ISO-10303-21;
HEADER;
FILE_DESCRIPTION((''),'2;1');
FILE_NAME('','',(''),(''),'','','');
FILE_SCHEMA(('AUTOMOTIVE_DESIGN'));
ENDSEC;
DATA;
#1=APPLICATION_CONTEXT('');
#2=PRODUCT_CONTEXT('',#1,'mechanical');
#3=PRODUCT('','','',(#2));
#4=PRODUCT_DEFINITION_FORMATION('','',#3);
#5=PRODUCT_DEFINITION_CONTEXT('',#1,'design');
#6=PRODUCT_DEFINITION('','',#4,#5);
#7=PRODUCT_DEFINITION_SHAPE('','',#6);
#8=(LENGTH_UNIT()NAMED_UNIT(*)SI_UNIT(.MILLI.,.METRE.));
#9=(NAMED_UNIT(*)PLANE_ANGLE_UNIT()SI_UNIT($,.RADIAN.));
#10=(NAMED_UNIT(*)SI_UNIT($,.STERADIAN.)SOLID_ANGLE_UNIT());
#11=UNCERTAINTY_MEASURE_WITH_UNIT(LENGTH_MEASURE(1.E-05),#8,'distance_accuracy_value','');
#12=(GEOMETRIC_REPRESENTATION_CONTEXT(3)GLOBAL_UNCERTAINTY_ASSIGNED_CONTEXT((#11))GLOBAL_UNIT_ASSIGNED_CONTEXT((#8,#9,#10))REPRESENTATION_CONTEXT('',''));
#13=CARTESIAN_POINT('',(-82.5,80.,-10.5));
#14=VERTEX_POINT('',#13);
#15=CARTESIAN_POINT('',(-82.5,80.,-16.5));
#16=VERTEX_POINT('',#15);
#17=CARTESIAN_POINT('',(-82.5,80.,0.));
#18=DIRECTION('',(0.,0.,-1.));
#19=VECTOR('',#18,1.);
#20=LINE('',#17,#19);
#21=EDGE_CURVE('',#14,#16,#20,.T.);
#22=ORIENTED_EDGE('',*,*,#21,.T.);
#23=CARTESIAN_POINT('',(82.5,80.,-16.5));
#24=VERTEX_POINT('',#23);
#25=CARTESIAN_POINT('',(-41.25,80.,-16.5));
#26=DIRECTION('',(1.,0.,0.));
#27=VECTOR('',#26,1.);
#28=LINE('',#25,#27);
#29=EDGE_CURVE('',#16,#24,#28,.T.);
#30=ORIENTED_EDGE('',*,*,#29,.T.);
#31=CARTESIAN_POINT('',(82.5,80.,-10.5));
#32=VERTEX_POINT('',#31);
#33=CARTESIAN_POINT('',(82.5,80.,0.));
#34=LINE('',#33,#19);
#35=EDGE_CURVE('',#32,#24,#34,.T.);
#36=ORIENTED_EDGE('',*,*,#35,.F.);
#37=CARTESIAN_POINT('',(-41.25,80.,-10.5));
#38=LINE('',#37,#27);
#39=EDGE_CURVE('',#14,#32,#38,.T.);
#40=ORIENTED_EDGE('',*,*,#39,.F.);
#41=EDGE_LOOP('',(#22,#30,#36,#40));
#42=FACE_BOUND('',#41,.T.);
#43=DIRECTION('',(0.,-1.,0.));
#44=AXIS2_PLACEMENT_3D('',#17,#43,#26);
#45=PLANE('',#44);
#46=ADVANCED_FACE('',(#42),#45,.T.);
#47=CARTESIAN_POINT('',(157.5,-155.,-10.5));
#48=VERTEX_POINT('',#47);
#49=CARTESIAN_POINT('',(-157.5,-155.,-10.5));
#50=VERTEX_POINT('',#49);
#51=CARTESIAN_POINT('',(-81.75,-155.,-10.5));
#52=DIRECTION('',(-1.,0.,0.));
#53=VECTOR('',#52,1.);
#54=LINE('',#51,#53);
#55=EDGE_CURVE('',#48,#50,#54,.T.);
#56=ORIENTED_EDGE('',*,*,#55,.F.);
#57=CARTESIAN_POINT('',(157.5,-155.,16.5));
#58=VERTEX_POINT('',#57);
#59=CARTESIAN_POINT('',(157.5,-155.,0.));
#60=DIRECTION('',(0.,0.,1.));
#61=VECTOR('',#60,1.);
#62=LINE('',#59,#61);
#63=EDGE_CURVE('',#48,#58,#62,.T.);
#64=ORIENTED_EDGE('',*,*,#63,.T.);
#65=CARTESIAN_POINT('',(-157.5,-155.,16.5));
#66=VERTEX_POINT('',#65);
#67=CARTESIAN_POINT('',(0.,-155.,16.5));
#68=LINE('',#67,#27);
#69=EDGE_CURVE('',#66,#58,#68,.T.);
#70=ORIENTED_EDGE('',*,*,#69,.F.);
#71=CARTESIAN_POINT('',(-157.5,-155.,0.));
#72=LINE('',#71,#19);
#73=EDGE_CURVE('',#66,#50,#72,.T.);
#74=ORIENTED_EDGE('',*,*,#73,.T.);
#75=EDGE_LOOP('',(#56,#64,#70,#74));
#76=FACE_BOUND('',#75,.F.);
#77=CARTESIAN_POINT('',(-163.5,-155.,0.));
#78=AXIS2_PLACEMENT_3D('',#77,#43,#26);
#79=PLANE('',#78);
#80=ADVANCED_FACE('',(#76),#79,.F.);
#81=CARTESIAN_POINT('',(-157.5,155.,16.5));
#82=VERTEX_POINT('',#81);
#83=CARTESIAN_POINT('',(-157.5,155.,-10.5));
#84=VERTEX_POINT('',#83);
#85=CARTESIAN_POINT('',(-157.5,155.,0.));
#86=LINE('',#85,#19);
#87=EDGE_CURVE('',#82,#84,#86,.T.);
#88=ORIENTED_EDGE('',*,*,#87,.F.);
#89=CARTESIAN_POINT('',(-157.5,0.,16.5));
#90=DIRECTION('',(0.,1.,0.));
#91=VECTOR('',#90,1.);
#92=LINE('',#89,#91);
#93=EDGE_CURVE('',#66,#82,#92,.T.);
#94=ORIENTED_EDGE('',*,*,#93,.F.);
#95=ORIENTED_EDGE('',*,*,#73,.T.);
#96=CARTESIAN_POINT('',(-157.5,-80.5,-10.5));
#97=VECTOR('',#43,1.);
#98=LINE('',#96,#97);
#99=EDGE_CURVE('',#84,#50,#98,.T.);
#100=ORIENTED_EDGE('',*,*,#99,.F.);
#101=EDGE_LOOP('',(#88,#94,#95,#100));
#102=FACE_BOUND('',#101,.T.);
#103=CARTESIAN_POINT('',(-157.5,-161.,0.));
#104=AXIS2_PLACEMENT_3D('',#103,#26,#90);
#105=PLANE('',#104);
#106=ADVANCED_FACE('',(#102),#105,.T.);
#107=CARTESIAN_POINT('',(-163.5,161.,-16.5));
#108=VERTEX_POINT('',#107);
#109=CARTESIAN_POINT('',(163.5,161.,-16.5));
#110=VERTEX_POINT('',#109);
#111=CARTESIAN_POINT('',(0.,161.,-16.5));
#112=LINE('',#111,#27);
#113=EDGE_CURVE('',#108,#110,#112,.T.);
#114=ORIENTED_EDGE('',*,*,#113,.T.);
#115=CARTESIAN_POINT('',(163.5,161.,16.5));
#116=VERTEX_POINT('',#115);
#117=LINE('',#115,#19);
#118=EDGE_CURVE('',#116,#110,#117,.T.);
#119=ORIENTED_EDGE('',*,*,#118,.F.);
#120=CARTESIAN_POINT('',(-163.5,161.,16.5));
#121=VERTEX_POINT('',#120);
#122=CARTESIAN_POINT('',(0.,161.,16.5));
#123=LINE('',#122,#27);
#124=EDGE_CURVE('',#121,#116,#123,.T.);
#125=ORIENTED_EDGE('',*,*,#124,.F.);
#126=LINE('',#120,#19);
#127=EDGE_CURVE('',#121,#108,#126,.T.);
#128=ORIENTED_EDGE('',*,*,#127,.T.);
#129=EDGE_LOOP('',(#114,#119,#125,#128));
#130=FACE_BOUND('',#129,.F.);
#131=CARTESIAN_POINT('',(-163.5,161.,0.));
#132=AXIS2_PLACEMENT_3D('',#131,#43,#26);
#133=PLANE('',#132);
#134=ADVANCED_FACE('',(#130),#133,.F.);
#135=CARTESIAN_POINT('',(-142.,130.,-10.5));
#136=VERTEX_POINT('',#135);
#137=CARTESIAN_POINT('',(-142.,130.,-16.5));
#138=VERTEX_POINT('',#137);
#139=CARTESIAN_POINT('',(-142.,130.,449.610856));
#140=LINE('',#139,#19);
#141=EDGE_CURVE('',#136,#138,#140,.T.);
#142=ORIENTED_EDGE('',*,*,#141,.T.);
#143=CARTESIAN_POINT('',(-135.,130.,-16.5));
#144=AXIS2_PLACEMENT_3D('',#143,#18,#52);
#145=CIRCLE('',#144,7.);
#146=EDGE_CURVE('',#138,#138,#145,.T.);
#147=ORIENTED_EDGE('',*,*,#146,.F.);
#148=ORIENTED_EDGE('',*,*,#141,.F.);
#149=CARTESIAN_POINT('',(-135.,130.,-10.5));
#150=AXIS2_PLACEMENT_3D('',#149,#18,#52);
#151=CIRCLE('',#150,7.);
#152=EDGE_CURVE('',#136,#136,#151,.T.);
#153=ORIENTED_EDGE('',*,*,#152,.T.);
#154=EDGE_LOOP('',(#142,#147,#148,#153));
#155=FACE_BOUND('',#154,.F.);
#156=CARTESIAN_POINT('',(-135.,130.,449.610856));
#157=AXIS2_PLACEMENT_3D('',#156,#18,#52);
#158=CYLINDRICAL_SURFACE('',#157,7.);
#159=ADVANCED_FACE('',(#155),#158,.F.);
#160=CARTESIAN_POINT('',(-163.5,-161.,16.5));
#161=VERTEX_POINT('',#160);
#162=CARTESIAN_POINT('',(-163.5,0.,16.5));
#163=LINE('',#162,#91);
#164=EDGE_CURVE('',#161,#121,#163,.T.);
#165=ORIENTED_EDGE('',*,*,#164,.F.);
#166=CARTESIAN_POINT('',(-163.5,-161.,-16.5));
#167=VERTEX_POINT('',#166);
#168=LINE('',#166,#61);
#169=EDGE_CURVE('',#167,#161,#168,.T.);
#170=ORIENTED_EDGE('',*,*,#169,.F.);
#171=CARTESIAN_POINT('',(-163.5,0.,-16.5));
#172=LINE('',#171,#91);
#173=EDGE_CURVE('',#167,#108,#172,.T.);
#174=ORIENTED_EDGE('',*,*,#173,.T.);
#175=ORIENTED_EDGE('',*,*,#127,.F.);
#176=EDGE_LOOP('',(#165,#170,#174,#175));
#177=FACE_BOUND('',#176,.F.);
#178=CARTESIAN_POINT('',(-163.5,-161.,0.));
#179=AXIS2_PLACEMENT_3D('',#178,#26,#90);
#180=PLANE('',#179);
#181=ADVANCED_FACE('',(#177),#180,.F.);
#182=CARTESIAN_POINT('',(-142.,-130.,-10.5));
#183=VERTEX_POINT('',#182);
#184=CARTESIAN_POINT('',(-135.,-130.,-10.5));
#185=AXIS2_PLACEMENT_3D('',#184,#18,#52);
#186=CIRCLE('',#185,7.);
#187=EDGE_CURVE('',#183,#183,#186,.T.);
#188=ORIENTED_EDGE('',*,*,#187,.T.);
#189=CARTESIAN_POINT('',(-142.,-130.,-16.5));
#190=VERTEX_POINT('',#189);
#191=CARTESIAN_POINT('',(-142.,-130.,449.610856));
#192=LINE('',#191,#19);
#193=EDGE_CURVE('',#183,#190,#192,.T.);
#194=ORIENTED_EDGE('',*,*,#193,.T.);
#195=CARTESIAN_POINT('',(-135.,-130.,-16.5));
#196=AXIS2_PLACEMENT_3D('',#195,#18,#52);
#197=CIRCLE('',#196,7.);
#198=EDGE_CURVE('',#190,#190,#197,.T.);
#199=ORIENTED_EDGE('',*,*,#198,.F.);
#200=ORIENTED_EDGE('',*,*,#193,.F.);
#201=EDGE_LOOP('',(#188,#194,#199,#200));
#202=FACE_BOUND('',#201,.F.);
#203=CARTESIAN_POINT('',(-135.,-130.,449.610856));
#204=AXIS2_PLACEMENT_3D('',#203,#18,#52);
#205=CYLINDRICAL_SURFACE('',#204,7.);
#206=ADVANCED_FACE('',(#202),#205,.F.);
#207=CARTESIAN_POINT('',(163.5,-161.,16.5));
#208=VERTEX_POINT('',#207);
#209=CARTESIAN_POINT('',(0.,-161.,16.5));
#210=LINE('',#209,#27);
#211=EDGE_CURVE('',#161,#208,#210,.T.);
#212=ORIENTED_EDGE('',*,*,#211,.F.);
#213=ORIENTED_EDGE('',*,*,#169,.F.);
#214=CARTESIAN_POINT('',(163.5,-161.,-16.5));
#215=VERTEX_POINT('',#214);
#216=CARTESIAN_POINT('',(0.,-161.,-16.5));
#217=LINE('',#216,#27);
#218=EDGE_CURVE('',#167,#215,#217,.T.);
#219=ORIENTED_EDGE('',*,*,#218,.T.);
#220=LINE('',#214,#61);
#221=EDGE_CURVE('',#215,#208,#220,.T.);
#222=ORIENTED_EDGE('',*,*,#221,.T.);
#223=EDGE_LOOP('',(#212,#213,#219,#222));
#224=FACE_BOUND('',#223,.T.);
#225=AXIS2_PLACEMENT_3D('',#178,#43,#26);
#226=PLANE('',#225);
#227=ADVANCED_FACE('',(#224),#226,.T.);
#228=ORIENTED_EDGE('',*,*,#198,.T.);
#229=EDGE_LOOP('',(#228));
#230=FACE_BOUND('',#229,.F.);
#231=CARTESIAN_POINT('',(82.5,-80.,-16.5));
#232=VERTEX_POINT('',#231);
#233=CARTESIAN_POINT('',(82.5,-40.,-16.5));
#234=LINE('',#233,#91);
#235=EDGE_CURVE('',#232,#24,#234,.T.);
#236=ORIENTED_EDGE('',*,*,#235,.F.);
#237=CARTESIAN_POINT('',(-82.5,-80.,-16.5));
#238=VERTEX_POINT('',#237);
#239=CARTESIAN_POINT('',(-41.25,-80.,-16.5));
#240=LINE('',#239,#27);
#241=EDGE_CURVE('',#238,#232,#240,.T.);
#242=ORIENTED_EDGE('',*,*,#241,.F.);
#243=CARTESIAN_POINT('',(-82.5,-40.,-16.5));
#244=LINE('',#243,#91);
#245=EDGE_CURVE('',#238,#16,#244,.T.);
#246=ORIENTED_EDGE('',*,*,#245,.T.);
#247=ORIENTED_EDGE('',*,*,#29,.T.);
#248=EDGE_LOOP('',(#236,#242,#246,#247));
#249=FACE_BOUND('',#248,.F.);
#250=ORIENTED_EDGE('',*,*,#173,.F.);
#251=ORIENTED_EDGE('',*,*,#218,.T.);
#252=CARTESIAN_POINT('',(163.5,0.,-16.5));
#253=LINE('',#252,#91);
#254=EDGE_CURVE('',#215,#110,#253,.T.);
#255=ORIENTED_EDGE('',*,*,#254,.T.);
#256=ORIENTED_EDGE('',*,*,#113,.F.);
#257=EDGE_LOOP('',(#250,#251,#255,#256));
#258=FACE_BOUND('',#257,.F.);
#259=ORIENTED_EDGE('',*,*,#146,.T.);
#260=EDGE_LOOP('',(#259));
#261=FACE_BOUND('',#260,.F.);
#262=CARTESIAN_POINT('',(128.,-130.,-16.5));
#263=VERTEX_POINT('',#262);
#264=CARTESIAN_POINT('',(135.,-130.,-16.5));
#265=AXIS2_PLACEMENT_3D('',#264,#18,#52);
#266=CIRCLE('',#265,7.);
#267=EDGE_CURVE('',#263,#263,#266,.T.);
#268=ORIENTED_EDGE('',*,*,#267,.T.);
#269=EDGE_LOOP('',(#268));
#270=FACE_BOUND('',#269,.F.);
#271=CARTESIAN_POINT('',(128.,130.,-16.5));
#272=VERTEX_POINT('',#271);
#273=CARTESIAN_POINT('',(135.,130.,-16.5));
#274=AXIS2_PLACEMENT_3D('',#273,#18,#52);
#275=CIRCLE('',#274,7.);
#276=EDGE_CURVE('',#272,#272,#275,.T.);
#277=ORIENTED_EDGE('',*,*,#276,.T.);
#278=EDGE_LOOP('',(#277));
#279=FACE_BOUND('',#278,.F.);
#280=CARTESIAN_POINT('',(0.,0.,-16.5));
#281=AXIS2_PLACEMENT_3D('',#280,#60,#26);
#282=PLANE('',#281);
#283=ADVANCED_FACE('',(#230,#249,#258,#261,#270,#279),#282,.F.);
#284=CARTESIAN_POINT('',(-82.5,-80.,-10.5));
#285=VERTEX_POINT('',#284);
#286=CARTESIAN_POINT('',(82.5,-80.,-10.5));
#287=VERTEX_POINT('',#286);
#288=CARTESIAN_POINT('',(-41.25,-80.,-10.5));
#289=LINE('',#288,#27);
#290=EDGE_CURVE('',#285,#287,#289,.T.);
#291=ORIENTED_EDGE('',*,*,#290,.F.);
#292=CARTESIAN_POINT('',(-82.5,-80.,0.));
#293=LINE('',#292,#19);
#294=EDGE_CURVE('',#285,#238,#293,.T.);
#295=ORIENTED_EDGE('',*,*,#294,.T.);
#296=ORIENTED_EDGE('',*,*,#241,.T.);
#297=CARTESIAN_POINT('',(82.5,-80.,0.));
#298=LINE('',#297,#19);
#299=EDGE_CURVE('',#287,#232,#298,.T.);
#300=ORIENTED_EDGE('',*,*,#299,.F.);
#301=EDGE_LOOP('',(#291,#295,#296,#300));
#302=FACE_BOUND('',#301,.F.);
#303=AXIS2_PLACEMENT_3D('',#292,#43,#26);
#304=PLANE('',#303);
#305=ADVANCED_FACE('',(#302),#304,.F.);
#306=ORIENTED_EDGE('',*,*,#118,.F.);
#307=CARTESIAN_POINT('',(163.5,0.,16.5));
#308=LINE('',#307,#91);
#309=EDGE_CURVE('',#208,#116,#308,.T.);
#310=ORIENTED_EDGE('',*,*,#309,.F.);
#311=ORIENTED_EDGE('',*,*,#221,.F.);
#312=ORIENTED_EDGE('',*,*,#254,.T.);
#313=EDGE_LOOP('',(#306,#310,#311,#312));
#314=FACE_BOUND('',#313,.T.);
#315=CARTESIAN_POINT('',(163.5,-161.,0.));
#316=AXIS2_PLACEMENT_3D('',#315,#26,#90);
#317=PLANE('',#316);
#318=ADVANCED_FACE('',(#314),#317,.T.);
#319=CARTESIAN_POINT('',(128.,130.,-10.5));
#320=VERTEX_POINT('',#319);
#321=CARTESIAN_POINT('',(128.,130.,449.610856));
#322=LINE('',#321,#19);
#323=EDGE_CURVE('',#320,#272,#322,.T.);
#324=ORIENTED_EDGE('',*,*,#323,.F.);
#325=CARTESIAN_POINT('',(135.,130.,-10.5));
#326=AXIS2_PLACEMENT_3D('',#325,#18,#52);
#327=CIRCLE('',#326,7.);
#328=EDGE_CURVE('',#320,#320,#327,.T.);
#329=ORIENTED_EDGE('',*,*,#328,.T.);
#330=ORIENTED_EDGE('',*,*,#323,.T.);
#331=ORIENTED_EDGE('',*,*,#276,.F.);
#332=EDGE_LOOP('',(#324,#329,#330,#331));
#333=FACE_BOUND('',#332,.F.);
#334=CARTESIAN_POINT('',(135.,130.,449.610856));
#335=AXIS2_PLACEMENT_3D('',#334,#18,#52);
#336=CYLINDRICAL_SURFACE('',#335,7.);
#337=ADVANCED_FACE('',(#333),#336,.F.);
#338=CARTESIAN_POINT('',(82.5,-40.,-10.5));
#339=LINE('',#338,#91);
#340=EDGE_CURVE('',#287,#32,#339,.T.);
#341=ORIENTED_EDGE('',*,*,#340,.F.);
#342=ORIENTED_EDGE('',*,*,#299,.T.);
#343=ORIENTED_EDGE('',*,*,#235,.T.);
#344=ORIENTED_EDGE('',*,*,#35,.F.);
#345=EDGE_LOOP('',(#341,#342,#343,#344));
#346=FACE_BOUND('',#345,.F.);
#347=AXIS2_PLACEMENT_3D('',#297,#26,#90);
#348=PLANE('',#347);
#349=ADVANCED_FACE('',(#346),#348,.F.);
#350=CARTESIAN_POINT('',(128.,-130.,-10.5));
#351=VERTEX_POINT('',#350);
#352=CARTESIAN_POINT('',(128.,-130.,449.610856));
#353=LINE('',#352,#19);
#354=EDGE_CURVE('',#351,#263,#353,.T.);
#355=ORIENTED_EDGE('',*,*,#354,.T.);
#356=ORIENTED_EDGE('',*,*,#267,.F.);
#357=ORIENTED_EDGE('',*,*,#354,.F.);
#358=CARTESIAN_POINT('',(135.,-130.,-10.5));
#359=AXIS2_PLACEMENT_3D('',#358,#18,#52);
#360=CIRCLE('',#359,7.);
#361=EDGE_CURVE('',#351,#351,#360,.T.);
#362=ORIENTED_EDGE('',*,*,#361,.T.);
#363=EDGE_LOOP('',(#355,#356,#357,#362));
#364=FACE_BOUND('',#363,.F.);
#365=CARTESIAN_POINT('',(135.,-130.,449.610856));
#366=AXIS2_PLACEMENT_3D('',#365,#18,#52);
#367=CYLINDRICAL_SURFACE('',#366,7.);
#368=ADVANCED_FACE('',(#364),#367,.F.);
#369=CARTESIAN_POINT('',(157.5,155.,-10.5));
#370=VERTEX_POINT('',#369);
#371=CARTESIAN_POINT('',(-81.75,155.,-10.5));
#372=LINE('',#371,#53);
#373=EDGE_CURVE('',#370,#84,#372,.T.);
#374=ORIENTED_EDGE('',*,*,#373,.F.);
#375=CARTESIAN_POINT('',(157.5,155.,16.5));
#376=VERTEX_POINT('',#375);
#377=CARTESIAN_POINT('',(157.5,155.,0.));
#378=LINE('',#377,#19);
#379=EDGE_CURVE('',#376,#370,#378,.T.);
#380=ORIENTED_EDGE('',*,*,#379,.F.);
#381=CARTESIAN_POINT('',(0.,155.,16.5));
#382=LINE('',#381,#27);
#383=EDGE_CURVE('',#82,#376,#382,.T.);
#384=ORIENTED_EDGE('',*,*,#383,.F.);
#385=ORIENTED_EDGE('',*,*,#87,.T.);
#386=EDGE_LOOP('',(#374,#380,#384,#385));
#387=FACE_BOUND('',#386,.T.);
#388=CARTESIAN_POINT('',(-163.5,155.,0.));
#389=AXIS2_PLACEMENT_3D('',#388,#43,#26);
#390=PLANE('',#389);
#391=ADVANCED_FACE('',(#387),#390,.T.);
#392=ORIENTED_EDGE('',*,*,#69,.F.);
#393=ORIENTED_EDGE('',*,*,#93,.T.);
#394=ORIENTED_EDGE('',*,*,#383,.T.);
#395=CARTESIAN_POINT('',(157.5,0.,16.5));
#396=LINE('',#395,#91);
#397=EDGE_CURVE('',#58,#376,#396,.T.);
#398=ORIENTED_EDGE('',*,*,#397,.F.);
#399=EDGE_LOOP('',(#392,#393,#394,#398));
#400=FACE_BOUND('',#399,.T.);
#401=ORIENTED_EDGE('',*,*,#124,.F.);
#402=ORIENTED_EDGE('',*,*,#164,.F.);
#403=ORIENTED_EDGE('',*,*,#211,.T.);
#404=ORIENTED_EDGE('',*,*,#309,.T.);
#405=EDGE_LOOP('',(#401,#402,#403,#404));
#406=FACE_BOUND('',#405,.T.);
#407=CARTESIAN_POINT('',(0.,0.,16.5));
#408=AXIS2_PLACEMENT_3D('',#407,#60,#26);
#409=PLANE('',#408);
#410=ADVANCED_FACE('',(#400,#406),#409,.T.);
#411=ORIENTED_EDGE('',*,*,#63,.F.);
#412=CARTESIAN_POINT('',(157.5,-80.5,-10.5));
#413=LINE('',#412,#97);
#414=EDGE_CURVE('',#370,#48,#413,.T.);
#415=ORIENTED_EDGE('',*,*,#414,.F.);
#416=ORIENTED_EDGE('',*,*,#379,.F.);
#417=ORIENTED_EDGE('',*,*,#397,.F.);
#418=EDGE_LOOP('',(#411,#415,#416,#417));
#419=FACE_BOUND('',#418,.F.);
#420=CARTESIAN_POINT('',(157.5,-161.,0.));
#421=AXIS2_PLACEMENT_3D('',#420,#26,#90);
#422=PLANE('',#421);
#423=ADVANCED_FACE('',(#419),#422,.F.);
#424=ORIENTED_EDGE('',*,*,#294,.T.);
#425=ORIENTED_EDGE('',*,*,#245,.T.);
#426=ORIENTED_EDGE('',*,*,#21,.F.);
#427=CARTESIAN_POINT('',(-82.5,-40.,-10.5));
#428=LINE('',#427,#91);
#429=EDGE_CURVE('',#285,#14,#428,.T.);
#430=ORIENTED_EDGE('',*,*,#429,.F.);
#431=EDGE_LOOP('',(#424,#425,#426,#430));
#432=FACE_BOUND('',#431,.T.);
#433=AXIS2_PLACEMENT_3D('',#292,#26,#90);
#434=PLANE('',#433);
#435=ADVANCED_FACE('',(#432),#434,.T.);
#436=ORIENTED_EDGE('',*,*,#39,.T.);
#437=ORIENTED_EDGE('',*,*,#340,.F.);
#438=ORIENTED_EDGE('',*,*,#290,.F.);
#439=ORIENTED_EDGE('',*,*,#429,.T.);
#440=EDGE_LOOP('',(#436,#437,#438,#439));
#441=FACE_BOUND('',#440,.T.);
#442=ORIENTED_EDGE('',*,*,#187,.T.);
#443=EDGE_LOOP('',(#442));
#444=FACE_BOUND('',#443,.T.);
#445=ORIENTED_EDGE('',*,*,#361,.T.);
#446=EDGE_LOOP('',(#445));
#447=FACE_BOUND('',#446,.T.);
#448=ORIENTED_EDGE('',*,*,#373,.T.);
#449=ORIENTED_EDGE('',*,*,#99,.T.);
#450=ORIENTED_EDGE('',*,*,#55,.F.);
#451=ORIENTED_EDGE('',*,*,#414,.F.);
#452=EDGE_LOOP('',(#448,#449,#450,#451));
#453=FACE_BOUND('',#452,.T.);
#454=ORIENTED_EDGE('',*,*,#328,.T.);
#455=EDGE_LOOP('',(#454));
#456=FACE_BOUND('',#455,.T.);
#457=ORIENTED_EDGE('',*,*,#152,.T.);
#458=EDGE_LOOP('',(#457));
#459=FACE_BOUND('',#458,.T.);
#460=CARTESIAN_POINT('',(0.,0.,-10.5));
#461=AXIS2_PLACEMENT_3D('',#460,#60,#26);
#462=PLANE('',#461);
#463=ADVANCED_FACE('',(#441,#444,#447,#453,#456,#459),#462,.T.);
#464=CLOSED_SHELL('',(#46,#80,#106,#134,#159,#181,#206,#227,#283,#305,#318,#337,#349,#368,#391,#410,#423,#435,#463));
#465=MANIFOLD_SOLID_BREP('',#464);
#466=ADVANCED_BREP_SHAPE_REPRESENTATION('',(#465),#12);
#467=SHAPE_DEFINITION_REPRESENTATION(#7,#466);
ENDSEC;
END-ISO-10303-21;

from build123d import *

# Parameters (mm, degrees)
F0_W     = 327
F0_H     = 322
F1_DEPTH = 16.5
F2_T     = -6
F3_W     = 165
F3_H     = 160
F4_DEPTH = 16.501
F6_D     = 14


with BuildPart() as f1:
    # F0 (on Top) → F1 (new body, symmetric)
    with BuildSketch(Plane.XY):
        Rectangle(F0_W, F0_H)
    extrude(amount=F1_DEPTH, both=True)

    # F2
    f2_openings = [f1.faces().sort_by_distance(p)[0] for p in [
        (0, 0, 16.5),
    ]]
    offset(amount=F2_T, openings=f2_openings)

    # F3 (on Top) → F4 (cut, through all)
    with BuildSketch(Plane.XY):
        Rectangle(F3_W, F3_H)
    extrude(amount=-F4_DEPTH, mode=Mode.SUBTRACT)

    # F6 (through all)
    with Locations(Plane.XY.offset(-10.5)):
        with Locations((-135, 130), (135, 130), (135, -130), (-135, -130)):
            Hole(F6_D / 2)


solid = f1.part
